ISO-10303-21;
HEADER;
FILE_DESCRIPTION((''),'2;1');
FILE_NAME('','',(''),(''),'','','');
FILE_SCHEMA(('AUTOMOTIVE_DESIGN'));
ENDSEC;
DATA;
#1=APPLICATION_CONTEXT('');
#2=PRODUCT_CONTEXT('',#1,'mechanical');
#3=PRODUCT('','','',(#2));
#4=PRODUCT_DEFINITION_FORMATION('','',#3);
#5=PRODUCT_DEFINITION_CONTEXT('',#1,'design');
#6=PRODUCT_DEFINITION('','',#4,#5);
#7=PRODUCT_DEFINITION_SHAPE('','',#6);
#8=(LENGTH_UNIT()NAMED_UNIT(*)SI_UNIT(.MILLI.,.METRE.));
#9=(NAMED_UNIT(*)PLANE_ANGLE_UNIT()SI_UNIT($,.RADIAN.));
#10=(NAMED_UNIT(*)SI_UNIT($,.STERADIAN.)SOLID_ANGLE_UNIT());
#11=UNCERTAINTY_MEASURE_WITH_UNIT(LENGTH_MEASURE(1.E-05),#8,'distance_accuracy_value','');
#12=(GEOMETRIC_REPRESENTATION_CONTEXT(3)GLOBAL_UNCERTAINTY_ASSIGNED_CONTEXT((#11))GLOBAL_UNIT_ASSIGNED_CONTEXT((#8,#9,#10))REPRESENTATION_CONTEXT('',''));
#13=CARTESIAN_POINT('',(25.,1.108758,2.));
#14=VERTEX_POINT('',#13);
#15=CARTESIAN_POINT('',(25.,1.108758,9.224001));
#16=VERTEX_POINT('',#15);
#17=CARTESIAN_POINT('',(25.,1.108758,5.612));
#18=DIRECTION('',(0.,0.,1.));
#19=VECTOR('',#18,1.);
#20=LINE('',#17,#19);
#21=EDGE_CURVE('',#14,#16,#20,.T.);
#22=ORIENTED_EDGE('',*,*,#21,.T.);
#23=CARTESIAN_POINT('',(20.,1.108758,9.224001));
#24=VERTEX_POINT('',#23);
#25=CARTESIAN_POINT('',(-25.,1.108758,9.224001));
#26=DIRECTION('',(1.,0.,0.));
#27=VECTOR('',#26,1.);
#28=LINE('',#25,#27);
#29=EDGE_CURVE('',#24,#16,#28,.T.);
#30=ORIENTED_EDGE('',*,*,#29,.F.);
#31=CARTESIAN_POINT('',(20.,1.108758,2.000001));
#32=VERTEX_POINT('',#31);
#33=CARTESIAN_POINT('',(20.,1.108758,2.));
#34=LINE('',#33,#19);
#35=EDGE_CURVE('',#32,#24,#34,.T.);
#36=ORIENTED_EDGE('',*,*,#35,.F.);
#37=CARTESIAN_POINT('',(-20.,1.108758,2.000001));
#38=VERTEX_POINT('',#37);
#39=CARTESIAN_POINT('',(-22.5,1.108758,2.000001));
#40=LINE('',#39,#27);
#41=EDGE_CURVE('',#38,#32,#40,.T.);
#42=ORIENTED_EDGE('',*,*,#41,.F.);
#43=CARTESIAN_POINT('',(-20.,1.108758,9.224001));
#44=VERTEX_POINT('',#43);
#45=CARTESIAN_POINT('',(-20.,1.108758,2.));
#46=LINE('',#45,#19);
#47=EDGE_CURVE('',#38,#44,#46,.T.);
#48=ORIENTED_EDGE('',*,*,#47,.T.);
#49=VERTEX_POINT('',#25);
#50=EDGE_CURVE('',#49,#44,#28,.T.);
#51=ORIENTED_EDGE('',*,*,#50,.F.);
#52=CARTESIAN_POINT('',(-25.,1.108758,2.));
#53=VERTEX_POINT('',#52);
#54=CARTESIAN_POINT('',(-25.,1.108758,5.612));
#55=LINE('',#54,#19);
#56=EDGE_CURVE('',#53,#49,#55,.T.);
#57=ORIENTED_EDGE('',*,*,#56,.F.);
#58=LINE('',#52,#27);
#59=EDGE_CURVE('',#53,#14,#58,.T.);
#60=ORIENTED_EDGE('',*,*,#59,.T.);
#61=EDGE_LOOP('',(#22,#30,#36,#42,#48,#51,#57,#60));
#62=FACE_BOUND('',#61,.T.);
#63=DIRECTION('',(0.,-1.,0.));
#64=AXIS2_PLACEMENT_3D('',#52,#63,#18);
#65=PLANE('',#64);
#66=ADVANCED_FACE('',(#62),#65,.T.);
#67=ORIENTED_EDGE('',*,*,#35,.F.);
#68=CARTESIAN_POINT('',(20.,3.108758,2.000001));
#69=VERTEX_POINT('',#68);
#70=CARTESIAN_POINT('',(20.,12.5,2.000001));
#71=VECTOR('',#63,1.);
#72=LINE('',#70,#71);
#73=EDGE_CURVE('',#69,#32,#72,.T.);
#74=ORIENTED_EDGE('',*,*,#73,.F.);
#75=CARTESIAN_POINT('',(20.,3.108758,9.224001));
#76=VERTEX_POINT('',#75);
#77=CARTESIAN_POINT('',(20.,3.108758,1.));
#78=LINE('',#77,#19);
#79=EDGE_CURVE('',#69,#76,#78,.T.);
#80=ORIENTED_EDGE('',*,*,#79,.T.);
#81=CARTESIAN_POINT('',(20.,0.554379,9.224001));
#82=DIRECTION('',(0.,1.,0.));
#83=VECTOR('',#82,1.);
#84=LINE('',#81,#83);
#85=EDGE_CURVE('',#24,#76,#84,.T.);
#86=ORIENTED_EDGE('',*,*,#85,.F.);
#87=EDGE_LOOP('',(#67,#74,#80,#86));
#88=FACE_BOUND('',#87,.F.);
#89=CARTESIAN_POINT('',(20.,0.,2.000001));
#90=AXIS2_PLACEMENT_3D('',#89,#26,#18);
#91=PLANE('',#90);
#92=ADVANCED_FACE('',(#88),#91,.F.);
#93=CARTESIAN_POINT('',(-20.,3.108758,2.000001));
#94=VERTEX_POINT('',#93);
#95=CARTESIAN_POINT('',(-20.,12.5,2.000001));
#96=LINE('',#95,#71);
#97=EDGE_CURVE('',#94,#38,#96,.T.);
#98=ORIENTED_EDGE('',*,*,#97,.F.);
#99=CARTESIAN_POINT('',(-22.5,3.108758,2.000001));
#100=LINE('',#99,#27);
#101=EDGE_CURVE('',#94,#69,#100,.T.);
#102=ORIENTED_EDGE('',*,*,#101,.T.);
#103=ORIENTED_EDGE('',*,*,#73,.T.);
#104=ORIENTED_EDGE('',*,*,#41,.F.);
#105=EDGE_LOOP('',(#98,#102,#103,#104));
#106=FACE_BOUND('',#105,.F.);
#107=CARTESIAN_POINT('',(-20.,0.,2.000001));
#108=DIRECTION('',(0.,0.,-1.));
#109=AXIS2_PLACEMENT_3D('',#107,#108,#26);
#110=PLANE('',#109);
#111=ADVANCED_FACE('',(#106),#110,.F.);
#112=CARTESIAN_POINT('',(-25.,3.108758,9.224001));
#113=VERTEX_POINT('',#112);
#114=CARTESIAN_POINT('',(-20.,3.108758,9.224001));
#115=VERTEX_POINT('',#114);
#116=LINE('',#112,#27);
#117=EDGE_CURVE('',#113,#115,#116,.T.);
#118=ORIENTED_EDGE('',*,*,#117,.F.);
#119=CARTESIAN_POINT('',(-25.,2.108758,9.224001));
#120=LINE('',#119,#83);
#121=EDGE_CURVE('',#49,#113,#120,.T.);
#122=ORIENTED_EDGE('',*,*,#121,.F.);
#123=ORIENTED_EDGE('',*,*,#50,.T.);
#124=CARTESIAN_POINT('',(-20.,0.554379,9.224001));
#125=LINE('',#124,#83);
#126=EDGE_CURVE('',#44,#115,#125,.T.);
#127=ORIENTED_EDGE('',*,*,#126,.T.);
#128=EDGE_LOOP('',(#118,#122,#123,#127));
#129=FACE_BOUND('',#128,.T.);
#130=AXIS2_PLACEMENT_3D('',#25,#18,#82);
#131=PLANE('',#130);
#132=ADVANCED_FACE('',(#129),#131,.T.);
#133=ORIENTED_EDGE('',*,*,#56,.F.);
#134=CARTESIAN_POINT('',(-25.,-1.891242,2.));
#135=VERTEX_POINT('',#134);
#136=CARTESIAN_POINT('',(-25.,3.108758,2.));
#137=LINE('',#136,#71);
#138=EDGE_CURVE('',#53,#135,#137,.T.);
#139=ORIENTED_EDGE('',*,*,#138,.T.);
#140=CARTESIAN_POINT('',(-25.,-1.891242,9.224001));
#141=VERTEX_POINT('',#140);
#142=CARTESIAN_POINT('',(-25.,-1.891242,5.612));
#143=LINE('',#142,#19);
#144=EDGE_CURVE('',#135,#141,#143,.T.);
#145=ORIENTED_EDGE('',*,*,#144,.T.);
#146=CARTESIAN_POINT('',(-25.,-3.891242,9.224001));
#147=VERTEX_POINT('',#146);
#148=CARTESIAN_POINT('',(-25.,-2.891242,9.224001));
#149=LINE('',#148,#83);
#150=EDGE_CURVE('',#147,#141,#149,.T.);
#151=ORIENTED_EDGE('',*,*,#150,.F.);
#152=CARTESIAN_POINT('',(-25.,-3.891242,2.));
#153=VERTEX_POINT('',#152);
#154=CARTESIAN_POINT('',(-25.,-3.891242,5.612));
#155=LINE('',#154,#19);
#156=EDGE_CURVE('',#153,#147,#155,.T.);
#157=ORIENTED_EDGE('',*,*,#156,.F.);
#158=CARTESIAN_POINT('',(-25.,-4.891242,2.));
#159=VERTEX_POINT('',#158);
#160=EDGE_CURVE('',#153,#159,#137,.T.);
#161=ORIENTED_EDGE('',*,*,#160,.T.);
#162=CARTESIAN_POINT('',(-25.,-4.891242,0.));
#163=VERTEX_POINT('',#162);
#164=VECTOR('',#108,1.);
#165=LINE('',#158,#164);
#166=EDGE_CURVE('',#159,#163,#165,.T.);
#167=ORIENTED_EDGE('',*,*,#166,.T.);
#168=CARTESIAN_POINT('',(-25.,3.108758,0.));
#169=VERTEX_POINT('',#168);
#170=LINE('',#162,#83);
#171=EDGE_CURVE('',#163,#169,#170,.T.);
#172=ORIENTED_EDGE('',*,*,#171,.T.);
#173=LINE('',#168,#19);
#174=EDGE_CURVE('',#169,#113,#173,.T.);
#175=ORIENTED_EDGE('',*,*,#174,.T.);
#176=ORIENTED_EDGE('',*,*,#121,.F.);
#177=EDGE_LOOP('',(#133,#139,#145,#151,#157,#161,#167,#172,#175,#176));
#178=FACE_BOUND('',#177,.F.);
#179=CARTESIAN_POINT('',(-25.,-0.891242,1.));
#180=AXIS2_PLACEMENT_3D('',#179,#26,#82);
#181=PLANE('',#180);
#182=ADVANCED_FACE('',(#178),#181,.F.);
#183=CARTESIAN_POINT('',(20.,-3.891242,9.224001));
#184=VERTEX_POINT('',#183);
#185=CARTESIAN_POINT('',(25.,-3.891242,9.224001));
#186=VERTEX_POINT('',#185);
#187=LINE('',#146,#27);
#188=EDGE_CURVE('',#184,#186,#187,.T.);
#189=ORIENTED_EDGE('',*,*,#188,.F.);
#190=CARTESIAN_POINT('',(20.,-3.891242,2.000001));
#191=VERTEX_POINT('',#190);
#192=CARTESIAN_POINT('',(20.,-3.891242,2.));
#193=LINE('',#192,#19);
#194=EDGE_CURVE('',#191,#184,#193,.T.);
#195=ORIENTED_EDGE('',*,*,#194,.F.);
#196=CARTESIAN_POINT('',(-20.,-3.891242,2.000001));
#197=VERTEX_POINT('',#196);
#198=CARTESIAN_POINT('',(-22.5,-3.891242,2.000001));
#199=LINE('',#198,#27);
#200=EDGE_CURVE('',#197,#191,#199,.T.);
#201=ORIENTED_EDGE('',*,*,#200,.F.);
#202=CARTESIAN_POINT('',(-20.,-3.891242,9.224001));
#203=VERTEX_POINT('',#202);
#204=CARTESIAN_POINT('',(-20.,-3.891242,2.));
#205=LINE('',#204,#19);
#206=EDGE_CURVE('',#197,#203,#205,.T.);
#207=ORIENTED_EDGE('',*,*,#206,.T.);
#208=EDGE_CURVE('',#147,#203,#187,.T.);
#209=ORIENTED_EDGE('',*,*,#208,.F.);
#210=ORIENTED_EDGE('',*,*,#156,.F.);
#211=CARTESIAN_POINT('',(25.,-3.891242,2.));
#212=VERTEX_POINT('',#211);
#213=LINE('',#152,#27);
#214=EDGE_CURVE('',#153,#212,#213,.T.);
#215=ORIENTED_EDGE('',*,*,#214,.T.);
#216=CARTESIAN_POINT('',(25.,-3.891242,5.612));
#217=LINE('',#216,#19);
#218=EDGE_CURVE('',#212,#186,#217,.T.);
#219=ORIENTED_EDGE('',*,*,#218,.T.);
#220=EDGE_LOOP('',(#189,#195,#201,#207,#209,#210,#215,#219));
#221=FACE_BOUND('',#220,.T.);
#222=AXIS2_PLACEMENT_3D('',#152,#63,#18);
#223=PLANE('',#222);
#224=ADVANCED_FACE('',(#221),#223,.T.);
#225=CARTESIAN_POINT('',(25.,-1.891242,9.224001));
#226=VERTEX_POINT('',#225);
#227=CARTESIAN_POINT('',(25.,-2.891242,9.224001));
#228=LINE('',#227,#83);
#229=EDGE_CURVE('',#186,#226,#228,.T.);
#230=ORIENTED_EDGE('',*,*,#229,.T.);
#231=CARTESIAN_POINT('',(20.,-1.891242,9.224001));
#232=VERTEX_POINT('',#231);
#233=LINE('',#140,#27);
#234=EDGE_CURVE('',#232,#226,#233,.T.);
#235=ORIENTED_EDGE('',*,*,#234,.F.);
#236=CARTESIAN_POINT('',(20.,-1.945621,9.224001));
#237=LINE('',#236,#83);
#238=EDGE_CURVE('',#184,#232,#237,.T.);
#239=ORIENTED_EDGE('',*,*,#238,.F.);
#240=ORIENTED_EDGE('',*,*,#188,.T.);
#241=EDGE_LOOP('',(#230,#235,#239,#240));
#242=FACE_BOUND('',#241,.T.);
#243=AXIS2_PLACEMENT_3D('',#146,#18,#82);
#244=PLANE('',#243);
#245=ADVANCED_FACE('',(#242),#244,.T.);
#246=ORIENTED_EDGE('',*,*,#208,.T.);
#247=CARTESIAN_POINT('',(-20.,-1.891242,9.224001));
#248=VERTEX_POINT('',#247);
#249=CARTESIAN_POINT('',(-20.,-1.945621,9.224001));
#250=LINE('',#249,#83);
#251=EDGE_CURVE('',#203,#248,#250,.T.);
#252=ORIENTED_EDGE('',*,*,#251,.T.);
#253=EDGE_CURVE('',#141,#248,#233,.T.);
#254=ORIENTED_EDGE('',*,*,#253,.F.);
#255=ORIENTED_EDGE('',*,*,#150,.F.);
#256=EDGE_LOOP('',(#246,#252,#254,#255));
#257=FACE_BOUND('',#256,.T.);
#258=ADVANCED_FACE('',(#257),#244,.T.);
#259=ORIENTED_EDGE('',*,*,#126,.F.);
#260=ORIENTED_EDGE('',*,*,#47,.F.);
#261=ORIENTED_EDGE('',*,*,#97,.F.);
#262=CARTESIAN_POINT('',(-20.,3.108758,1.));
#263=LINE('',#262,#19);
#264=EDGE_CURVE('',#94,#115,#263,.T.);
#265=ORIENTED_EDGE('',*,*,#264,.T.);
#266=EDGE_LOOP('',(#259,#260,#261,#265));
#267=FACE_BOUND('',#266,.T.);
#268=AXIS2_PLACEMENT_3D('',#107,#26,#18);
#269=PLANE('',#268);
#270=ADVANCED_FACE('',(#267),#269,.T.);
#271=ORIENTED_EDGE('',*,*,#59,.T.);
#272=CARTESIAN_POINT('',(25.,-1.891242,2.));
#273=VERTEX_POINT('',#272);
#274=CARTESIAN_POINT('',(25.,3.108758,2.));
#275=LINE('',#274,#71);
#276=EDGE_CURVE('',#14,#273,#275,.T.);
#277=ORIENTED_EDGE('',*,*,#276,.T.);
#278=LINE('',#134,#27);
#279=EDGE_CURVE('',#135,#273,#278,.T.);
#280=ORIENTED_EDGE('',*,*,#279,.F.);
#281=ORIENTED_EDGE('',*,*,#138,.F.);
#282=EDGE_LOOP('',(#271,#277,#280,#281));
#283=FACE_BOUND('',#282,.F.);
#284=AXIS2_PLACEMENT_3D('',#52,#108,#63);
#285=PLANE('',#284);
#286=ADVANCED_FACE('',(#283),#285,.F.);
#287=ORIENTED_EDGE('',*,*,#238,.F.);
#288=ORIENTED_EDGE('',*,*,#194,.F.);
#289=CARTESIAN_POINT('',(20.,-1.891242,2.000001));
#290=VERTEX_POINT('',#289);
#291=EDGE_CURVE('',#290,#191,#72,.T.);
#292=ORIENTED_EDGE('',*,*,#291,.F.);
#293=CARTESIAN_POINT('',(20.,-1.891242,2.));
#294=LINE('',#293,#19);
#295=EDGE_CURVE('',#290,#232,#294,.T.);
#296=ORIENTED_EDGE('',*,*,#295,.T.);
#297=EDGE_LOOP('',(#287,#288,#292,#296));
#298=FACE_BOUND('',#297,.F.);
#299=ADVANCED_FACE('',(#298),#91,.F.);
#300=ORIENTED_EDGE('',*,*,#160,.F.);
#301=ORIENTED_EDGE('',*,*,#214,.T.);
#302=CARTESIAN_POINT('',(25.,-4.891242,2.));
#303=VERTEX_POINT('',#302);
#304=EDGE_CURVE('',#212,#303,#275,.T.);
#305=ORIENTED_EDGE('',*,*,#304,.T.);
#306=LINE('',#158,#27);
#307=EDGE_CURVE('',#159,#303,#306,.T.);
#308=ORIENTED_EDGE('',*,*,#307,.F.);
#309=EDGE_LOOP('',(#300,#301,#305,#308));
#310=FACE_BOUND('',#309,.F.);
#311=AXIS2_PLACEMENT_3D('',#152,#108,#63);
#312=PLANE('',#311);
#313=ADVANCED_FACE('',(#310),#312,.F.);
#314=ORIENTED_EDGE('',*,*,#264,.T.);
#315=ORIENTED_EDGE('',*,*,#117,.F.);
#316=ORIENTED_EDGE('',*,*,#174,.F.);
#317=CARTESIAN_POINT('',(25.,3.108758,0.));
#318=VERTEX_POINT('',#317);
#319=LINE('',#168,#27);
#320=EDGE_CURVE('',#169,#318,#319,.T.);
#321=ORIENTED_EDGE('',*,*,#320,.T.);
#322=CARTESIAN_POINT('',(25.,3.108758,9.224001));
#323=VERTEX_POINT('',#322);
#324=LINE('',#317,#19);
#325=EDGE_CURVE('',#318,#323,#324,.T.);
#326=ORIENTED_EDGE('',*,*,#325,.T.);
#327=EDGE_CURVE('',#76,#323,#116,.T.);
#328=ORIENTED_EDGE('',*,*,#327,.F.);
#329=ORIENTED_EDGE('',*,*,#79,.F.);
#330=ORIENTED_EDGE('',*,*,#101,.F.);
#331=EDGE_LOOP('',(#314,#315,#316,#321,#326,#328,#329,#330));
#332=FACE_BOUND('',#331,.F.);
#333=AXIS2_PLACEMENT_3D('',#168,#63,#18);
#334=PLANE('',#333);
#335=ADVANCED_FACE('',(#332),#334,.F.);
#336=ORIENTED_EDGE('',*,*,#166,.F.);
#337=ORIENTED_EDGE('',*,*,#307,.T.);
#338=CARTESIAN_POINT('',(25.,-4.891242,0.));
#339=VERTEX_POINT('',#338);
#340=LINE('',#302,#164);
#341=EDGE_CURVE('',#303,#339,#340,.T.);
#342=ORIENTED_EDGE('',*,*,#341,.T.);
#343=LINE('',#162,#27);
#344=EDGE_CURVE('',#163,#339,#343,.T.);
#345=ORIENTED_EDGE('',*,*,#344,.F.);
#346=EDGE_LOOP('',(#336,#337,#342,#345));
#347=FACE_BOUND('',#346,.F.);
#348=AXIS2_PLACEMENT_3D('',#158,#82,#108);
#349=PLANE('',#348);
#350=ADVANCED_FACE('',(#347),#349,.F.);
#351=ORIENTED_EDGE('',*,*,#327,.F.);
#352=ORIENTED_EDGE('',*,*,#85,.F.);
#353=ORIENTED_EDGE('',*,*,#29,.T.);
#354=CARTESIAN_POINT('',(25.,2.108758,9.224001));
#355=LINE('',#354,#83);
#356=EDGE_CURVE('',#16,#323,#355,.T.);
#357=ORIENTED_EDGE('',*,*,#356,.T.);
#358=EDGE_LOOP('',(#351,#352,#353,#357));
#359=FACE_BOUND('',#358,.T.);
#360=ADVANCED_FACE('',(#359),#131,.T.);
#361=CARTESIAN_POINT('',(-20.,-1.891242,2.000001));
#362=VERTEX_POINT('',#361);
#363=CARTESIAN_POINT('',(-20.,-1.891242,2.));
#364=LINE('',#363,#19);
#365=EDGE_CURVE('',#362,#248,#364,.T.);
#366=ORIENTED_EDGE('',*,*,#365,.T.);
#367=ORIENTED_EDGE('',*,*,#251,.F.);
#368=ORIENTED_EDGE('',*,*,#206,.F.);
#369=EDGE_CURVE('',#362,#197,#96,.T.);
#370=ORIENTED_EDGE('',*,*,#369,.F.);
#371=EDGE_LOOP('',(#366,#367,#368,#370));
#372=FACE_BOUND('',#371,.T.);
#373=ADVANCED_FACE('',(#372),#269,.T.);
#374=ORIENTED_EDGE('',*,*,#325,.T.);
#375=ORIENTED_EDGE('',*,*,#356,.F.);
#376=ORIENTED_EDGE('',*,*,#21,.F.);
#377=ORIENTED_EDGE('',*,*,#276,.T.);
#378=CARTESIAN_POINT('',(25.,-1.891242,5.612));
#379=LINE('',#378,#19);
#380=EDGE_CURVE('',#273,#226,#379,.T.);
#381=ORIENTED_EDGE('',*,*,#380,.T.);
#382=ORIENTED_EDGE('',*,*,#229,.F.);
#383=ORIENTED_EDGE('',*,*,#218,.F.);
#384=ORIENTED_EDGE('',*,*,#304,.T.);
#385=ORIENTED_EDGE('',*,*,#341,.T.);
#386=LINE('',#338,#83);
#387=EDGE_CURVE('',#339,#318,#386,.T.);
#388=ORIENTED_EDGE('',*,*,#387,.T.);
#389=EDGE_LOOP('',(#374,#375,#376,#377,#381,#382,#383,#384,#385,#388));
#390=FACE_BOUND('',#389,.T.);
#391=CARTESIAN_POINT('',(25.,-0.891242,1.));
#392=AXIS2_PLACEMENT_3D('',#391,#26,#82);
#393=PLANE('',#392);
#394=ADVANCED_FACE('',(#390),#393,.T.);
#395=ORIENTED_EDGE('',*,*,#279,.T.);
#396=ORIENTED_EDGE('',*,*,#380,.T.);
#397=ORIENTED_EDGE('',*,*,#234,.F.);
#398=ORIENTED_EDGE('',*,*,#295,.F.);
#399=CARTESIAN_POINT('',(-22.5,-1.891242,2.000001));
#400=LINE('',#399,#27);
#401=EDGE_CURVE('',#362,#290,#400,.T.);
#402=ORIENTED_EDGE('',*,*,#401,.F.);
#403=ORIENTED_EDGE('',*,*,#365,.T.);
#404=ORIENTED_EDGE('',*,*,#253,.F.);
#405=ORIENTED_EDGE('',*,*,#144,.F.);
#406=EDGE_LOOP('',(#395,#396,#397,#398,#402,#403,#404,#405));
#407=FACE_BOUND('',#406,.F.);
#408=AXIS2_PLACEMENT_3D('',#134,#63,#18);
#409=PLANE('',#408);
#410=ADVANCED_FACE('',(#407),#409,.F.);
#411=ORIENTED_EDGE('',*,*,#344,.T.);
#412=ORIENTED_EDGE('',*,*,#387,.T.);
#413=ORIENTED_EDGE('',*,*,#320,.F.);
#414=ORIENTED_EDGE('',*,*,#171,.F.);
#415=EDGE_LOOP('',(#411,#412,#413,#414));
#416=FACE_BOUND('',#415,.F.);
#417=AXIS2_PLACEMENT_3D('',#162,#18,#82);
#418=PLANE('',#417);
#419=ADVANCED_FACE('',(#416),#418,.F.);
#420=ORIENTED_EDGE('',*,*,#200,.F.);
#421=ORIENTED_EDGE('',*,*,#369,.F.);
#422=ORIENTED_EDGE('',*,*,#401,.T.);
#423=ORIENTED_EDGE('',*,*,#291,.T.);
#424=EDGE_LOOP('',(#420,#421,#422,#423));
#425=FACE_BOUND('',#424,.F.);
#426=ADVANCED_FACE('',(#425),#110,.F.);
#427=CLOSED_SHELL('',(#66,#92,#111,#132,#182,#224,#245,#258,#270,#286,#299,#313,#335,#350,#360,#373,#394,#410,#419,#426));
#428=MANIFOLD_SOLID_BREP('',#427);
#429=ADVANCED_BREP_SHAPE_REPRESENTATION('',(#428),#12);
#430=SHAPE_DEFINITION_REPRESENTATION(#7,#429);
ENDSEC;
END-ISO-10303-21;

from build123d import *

# Parameters (mm, degrees)
F0_W     = 2
F0_H     = 7.224001
F1_DEPTH = 50
F2_W     = 40
F2_H     = 10.308505
F3_DEPTH = 12.5


with BuildPart() as f1:
    # F0 (on Right) → F1 (new body)
    with BuildSketch(Plane.YZ):
        Polygon((-4.891242, 2), (-4.891242, 0), (3.108758, 0), (3.108758, 2), (1.108758, 2), (-1.891242, 2), (-3.891242, 2), align=None)
        with Locations((-2.891242, 5.612)):
            Rectangle(F0_W, F0_H)
        with Locations((2.108758, 5.612)):
            Rectangle(F0_W, F0_H)
    extrude(amount=F1_DEPTH)

    # F2 (on Front) → F3 (cut, symmetric)
    with BuildSketch(Plane.XZ):
        with Locations((25, 7.154253)):
            Rectangle(F2_W, F2_H)
    extrude(amount=F3_DEPTH, both=True, mode=Mode.SUBTRACT)


with BuildPart() as f1_1:
    # F4: moved
    add(f1.part.moved(Location((-25, 0, 0))))


solid = f1_1.part
